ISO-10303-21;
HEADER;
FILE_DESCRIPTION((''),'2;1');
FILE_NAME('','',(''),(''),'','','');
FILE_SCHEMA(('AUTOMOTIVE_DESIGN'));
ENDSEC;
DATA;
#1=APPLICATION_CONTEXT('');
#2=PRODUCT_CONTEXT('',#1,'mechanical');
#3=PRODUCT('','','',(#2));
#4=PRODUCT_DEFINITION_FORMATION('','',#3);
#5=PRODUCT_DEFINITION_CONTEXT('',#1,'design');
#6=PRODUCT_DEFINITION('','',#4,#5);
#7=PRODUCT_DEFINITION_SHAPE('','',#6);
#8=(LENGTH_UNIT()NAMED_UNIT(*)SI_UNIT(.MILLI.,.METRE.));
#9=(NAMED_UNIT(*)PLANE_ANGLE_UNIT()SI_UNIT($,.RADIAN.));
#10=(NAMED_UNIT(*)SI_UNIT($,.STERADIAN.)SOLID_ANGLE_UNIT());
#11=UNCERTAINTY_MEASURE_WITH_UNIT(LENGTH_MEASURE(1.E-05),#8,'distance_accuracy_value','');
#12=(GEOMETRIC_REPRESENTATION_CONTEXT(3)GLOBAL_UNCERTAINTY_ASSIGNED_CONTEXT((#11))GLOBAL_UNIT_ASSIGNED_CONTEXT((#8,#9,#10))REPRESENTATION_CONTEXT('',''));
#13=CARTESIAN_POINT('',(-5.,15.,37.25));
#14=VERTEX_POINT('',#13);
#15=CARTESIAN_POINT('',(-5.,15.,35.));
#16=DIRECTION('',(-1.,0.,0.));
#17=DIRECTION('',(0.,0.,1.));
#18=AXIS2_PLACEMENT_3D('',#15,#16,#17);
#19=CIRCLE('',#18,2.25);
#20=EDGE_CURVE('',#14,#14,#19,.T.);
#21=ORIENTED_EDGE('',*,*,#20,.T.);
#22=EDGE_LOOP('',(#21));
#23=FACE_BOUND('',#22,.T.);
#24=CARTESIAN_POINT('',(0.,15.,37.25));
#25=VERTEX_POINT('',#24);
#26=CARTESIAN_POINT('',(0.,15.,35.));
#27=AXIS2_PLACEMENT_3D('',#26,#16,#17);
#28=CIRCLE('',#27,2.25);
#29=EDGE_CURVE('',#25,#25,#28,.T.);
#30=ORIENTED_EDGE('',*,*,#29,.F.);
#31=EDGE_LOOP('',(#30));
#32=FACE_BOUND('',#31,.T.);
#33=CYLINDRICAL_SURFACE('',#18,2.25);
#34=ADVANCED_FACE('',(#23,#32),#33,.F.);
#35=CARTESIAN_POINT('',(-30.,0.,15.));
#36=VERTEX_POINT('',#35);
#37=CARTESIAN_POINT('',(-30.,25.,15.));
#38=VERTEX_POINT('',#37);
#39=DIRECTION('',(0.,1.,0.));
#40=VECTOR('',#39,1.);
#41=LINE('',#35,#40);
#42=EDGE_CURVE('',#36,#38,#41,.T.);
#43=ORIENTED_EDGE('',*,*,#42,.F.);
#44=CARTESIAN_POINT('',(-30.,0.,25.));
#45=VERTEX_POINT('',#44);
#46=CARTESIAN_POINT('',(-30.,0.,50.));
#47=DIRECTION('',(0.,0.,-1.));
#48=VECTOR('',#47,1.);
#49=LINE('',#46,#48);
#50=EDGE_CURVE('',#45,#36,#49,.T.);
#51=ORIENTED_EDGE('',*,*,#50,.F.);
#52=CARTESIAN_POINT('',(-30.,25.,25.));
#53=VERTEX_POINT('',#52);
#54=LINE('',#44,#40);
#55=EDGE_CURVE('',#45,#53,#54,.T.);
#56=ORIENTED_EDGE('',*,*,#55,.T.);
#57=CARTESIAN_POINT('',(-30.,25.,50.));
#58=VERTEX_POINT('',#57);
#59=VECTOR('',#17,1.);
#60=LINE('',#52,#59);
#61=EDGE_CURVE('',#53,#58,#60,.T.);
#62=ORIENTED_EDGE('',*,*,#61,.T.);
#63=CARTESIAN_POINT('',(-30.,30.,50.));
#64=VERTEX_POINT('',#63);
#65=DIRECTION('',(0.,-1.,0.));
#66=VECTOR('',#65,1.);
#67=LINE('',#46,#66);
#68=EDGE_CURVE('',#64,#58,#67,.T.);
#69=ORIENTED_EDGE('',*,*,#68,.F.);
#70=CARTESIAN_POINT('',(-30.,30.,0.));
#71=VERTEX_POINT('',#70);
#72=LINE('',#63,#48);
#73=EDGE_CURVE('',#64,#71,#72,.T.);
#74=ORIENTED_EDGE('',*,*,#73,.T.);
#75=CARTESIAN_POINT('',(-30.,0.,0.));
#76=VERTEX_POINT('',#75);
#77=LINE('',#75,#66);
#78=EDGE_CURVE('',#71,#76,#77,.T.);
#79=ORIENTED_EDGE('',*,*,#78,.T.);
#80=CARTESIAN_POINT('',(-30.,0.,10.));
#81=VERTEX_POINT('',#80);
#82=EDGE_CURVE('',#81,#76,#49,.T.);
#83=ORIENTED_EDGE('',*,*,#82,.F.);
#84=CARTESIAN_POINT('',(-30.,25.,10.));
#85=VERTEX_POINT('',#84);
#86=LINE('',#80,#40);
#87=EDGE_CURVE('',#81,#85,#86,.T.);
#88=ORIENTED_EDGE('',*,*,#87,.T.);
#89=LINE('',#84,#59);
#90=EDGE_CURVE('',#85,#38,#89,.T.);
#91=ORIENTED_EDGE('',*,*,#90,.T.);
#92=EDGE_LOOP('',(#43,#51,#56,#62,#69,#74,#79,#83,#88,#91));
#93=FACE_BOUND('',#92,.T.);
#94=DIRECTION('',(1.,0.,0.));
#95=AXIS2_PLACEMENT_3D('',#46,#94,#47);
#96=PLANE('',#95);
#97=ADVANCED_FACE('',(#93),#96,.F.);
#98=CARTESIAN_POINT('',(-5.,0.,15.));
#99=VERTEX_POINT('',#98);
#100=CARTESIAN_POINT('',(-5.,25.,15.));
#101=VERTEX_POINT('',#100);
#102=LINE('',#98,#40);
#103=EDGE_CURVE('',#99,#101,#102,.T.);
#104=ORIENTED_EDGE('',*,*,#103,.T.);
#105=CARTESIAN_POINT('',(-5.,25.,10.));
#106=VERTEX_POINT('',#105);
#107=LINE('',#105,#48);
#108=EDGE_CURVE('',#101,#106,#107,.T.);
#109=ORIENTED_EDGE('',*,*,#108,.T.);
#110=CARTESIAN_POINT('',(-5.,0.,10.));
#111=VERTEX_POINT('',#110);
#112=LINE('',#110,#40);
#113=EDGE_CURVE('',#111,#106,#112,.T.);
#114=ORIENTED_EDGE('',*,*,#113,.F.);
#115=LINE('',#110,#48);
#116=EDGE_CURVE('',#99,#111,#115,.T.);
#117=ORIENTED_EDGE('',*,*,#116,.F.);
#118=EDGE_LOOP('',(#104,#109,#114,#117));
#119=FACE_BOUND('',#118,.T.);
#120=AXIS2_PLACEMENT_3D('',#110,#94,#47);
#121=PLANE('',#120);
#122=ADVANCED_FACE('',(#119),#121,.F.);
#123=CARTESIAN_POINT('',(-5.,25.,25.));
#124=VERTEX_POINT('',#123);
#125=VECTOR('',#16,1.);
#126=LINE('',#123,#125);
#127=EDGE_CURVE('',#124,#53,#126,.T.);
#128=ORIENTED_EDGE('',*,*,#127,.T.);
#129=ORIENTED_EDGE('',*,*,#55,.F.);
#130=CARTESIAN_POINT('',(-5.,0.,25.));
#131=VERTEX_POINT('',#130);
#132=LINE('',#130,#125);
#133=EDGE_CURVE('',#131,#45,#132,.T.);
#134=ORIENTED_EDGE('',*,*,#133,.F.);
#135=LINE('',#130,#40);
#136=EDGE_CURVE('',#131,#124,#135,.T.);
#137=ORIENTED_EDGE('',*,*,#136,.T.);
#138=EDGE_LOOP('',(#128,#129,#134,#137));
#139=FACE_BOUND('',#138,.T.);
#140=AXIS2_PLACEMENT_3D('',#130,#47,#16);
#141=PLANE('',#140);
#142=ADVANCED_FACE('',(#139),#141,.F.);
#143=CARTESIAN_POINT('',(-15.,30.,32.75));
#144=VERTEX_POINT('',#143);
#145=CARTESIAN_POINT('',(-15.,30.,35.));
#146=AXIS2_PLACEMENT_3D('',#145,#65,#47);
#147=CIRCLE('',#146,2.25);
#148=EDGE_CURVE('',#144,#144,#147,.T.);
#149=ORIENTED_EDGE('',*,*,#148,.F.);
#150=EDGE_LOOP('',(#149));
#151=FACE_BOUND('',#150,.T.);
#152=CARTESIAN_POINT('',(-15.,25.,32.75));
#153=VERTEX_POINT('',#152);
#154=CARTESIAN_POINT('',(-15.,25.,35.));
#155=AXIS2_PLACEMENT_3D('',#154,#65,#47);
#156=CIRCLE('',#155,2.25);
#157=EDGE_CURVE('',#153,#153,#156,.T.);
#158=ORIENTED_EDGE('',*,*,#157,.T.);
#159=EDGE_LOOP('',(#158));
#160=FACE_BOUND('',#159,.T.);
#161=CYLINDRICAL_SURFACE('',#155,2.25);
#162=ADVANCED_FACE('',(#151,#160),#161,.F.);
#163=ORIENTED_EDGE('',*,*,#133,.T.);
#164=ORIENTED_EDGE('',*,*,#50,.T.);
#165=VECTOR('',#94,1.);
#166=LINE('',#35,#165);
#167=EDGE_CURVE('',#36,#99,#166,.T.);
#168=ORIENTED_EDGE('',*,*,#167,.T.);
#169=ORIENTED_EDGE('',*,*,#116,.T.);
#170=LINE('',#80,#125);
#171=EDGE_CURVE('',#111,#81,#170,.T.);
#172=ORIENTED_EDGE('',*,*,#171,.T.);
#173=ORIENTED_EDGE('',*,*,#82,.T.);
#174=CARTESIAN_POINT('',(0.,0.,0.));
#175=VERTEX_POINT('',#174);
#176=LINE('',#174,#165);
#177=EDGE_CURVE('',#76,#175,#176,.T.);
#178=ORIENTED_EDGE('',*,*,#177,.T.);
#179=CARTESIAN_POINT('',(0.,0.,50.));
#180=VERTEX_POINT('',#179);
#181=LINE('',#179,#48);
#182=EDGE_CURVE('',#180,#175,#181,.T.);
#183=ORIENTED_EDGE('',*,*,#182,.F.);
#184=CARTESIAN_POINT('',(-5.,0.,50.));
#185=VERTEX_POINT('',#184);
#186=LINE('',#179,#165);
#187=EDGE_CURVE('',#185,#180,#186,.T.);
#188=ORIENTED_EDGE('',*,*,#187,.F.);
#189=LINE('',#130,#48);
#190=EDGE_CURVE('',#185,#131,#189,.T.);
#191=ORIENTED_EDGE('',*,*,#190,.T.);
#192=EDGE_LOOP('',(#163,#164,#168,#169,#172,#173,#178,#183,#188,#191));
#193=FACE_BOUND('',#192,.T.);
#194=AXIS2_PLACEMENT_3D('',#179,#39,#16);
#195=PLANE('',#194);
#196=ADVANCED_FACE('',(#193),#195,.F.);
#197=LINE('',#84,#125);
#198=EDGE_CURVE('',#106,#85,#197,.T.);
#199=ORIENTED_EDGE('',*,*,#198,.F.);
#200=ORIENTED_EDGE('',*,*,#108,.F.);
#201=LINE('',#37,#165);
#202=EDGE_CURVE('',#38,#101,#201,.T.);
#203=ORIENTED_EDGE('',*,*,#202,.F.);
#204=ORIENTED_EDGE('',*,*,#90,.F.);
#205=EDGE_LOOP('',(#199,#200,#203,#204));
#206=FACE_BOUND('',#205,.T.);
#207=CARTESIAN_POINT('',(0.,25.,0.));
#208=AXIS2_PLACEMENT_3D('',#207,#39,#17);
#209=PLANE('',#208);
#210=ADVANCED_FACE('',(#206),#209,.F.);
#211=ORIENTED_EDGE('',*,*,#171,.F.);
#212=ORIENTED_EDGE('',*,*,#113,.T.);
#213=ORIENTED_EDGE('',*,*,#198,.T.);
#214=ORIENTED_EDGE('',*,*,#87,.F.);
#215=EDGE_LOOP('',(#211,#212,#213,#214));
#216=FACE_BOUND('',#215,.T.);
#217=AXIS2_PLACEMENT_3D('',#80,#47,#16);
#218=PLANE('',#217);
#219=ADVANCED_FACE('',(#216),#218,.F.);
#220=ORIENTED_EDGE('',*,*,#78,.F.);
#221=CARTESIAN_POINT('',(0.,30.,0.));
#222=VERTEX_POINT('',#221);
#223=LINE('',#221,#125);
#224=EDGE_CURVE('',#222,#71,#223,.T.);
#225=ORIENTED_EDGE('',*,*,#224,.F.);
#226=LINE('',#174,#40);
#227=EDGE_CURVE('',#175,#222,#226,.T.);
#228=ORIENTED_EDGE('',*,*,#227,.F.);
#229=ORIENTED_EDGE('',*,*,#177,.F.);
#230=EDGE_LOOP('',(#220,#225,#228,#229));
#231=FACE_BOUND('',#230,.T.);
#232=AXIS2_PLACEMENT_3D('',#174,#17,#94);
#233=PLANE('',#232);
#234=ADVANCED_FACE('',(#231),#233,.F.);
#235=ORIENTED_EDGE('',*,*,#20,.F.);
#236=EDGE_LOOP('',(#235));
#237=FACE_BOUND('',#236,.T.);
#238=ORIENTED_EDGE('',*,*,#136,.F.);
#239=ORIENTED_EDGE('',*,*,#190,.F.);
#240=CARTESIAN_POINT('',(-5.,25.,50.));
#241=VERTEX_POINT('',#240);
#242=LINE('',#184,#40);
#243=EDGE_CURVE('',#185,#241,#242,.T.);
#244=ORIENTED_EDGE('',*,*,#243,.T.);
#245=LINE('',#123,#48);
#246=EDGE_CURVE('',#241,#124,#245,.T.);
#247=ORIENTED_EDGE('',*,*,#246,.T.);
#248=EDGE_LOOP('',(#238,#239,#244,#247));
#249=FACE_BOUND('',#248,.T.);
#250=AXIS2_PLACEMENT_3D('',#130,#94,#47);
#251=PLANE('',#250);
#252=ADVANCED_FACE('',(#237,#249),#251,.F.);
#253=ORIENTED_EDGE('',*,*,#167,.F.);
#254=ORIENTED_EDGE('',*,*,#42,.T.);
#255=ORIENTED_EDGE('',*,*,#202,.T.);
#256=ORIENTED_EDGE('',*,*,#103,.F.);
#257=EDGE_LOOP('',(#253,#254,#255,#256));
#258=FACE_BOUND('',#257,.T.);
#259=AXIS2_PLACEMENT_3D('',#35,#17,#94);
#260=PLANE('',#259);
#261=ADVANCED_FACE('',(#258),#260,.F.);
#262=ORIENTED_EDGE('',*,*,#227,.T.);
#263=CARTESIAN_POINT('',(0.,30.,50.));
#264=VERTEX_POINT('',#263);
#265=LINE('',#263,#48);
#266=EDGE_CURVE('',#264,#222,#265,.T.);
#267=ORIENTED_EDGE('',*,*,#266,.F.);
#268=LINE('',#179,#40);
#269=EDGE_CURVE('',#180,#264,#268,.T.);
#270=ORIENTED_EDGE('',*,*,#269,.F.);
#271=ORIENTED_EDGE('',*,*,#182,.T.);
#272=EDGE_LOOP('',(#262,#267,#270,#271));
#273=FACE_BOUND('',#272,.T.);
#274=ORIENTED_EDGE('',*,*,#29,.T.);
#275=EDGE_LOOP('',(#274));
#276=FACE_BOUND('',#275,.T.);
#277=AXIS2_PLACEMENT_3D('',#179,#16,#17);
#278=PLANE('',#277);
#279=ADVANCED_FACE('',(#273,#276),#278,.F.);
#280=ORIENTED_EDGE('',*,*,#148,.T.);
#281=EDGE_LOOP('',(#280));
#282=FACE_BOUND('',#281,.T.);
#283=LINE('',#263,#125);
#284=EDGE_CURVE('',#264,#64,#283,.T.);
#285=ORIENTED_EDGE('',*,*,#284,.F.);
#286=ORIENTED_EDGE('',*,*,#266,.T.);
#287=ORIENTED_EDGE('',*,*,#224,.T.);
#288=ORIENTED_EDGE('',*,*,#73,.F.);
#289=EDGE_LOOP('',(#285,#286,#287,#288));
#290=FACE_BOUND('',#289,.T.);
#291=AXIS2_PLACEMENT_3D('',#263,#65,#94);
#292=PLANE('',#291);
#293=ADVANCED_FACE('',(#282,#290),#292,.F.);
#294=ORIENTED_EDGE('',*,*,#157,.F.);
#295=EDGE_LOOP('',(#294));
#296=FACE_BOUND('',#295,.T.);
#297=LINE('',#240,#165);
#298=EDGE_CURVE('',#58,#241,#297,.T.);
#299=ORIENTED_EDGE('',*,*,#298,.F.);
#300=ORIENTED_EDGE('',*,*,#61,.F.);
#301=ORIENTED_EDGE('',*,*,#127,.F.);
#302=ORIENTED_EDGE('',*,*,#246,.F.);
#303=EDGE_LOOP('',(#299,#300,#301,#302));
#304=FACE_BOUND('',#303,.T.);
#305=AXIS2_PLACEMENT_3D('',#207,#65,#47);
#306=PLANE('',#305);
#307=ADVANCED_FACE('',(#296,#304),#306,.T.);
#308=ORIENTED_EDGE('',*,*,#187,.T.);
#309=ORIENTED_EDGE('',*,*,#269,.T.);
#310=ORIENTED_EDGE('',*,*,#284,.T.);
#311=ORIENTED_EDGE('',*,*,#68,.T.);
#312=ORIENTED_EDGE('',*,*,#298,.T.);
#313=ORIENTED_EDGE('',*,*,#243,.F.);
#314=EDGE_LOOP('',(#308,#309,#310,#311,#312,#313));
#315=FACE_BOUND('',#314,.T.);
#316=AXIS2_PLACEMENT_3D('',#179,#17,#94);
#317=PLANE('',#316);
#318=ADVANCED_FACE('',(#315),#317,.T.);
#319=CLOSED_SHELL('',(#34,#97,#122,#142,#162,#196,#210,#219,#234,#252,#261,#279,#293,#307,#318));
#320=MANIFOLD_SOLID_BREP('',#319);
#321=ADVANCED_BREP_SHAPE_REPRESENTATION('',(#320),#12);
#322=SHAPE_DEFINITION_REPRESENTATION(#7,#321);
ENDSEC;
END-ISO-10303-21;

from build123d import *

# Parameters (mm, degrees)
ESBO_O1_W                         = 30
ESBO_O1_H                         = 30
RESSALTO_EXTRUS_O1_DEPTH          = 50
CORTE_EXTRUS_O1_START             = -5
ESBO_O2_W                         = 25
ESBO_O2_H                         = 5
CORTE_EXTRUS_O1_DEPTH             = 26
CORTE_EXTRUS_O2_START             = -5
ESBO_O3_W                         = 25
ESBO_O3_H                         = 25
CORTE_EXTRUS_O2_DEPTH             = 26
FURO_COM_FOLGA_DE_M41_D           = 4.5
FURO_COM_FOLGA_DE_M41_ON_FACE_2_D = 4.5


with BuildPart() as part:
    # Esboço1 → Ressalto-extrusão1 (new body)
    with BuildSketch(Plane.XY):
        with Locations((-15, 15)):
            Rectangle(ESBO_O1_W, ESBO_O1_H)
    extrude(amount=RESSALTO_EXTRUS_O1_DEPTH)

    # Esboço2 → Corte-extrusão1 (cut, through all)
    with BuildSketch(Plane(origin=(0, 30, 0), x_dir=(1, 0, 0), z_dir=(0, 1, 0)).offset(CORTE_EXTRUS_O1_START)):
        with Locations((-17.5, -12.5)):
            Rectangle(ESBO_O2_W, ESBO_O2_H)
    extrude(amount=-CORTE_EXTRUS_O1_DEPTH, mode=Mode.SUBTRACT)

    # Esboço3 → Corte-extrusão2 (cut, through all)
    with BuildSketch(Plane(origin=(0, 30, 0), x_dir=(1, 0, 0), z_dir=(0, 1, 0)).offset(CORTE_EXTRUS_O2_START)):
        with Locations((-17.5, -37.5)):
            Rectangle(ESBO_O3_W, ESBO_O3_H)
    extrude(amount=-CORTE_EXTRUS_O2_DEPTH, mode=Mode.SUBTRACT)

    # Furo com folga de M41 (through all)
    with Locations(Plane(origin=(-5, 15, 35), x_dir=(0, 0, -1), z_dir=(-1, 0, 0))):
        with Locations((0, 0)):
            Hole(FURO_COM_FOLGA_DE_M41_D / 2)

    # Furo com folga de M41 on face 2 (through all)
    with Locations(Plane(origin=(-15, 25, 35), x_dir=(0, 0, -1), z_dir=(0, -1, 0))):
        with Locations((0, 0)):
            Hole(FURO_COM_FOLGA_DE_M41_ON_FACE_2_D / 2)


solid = part.part
